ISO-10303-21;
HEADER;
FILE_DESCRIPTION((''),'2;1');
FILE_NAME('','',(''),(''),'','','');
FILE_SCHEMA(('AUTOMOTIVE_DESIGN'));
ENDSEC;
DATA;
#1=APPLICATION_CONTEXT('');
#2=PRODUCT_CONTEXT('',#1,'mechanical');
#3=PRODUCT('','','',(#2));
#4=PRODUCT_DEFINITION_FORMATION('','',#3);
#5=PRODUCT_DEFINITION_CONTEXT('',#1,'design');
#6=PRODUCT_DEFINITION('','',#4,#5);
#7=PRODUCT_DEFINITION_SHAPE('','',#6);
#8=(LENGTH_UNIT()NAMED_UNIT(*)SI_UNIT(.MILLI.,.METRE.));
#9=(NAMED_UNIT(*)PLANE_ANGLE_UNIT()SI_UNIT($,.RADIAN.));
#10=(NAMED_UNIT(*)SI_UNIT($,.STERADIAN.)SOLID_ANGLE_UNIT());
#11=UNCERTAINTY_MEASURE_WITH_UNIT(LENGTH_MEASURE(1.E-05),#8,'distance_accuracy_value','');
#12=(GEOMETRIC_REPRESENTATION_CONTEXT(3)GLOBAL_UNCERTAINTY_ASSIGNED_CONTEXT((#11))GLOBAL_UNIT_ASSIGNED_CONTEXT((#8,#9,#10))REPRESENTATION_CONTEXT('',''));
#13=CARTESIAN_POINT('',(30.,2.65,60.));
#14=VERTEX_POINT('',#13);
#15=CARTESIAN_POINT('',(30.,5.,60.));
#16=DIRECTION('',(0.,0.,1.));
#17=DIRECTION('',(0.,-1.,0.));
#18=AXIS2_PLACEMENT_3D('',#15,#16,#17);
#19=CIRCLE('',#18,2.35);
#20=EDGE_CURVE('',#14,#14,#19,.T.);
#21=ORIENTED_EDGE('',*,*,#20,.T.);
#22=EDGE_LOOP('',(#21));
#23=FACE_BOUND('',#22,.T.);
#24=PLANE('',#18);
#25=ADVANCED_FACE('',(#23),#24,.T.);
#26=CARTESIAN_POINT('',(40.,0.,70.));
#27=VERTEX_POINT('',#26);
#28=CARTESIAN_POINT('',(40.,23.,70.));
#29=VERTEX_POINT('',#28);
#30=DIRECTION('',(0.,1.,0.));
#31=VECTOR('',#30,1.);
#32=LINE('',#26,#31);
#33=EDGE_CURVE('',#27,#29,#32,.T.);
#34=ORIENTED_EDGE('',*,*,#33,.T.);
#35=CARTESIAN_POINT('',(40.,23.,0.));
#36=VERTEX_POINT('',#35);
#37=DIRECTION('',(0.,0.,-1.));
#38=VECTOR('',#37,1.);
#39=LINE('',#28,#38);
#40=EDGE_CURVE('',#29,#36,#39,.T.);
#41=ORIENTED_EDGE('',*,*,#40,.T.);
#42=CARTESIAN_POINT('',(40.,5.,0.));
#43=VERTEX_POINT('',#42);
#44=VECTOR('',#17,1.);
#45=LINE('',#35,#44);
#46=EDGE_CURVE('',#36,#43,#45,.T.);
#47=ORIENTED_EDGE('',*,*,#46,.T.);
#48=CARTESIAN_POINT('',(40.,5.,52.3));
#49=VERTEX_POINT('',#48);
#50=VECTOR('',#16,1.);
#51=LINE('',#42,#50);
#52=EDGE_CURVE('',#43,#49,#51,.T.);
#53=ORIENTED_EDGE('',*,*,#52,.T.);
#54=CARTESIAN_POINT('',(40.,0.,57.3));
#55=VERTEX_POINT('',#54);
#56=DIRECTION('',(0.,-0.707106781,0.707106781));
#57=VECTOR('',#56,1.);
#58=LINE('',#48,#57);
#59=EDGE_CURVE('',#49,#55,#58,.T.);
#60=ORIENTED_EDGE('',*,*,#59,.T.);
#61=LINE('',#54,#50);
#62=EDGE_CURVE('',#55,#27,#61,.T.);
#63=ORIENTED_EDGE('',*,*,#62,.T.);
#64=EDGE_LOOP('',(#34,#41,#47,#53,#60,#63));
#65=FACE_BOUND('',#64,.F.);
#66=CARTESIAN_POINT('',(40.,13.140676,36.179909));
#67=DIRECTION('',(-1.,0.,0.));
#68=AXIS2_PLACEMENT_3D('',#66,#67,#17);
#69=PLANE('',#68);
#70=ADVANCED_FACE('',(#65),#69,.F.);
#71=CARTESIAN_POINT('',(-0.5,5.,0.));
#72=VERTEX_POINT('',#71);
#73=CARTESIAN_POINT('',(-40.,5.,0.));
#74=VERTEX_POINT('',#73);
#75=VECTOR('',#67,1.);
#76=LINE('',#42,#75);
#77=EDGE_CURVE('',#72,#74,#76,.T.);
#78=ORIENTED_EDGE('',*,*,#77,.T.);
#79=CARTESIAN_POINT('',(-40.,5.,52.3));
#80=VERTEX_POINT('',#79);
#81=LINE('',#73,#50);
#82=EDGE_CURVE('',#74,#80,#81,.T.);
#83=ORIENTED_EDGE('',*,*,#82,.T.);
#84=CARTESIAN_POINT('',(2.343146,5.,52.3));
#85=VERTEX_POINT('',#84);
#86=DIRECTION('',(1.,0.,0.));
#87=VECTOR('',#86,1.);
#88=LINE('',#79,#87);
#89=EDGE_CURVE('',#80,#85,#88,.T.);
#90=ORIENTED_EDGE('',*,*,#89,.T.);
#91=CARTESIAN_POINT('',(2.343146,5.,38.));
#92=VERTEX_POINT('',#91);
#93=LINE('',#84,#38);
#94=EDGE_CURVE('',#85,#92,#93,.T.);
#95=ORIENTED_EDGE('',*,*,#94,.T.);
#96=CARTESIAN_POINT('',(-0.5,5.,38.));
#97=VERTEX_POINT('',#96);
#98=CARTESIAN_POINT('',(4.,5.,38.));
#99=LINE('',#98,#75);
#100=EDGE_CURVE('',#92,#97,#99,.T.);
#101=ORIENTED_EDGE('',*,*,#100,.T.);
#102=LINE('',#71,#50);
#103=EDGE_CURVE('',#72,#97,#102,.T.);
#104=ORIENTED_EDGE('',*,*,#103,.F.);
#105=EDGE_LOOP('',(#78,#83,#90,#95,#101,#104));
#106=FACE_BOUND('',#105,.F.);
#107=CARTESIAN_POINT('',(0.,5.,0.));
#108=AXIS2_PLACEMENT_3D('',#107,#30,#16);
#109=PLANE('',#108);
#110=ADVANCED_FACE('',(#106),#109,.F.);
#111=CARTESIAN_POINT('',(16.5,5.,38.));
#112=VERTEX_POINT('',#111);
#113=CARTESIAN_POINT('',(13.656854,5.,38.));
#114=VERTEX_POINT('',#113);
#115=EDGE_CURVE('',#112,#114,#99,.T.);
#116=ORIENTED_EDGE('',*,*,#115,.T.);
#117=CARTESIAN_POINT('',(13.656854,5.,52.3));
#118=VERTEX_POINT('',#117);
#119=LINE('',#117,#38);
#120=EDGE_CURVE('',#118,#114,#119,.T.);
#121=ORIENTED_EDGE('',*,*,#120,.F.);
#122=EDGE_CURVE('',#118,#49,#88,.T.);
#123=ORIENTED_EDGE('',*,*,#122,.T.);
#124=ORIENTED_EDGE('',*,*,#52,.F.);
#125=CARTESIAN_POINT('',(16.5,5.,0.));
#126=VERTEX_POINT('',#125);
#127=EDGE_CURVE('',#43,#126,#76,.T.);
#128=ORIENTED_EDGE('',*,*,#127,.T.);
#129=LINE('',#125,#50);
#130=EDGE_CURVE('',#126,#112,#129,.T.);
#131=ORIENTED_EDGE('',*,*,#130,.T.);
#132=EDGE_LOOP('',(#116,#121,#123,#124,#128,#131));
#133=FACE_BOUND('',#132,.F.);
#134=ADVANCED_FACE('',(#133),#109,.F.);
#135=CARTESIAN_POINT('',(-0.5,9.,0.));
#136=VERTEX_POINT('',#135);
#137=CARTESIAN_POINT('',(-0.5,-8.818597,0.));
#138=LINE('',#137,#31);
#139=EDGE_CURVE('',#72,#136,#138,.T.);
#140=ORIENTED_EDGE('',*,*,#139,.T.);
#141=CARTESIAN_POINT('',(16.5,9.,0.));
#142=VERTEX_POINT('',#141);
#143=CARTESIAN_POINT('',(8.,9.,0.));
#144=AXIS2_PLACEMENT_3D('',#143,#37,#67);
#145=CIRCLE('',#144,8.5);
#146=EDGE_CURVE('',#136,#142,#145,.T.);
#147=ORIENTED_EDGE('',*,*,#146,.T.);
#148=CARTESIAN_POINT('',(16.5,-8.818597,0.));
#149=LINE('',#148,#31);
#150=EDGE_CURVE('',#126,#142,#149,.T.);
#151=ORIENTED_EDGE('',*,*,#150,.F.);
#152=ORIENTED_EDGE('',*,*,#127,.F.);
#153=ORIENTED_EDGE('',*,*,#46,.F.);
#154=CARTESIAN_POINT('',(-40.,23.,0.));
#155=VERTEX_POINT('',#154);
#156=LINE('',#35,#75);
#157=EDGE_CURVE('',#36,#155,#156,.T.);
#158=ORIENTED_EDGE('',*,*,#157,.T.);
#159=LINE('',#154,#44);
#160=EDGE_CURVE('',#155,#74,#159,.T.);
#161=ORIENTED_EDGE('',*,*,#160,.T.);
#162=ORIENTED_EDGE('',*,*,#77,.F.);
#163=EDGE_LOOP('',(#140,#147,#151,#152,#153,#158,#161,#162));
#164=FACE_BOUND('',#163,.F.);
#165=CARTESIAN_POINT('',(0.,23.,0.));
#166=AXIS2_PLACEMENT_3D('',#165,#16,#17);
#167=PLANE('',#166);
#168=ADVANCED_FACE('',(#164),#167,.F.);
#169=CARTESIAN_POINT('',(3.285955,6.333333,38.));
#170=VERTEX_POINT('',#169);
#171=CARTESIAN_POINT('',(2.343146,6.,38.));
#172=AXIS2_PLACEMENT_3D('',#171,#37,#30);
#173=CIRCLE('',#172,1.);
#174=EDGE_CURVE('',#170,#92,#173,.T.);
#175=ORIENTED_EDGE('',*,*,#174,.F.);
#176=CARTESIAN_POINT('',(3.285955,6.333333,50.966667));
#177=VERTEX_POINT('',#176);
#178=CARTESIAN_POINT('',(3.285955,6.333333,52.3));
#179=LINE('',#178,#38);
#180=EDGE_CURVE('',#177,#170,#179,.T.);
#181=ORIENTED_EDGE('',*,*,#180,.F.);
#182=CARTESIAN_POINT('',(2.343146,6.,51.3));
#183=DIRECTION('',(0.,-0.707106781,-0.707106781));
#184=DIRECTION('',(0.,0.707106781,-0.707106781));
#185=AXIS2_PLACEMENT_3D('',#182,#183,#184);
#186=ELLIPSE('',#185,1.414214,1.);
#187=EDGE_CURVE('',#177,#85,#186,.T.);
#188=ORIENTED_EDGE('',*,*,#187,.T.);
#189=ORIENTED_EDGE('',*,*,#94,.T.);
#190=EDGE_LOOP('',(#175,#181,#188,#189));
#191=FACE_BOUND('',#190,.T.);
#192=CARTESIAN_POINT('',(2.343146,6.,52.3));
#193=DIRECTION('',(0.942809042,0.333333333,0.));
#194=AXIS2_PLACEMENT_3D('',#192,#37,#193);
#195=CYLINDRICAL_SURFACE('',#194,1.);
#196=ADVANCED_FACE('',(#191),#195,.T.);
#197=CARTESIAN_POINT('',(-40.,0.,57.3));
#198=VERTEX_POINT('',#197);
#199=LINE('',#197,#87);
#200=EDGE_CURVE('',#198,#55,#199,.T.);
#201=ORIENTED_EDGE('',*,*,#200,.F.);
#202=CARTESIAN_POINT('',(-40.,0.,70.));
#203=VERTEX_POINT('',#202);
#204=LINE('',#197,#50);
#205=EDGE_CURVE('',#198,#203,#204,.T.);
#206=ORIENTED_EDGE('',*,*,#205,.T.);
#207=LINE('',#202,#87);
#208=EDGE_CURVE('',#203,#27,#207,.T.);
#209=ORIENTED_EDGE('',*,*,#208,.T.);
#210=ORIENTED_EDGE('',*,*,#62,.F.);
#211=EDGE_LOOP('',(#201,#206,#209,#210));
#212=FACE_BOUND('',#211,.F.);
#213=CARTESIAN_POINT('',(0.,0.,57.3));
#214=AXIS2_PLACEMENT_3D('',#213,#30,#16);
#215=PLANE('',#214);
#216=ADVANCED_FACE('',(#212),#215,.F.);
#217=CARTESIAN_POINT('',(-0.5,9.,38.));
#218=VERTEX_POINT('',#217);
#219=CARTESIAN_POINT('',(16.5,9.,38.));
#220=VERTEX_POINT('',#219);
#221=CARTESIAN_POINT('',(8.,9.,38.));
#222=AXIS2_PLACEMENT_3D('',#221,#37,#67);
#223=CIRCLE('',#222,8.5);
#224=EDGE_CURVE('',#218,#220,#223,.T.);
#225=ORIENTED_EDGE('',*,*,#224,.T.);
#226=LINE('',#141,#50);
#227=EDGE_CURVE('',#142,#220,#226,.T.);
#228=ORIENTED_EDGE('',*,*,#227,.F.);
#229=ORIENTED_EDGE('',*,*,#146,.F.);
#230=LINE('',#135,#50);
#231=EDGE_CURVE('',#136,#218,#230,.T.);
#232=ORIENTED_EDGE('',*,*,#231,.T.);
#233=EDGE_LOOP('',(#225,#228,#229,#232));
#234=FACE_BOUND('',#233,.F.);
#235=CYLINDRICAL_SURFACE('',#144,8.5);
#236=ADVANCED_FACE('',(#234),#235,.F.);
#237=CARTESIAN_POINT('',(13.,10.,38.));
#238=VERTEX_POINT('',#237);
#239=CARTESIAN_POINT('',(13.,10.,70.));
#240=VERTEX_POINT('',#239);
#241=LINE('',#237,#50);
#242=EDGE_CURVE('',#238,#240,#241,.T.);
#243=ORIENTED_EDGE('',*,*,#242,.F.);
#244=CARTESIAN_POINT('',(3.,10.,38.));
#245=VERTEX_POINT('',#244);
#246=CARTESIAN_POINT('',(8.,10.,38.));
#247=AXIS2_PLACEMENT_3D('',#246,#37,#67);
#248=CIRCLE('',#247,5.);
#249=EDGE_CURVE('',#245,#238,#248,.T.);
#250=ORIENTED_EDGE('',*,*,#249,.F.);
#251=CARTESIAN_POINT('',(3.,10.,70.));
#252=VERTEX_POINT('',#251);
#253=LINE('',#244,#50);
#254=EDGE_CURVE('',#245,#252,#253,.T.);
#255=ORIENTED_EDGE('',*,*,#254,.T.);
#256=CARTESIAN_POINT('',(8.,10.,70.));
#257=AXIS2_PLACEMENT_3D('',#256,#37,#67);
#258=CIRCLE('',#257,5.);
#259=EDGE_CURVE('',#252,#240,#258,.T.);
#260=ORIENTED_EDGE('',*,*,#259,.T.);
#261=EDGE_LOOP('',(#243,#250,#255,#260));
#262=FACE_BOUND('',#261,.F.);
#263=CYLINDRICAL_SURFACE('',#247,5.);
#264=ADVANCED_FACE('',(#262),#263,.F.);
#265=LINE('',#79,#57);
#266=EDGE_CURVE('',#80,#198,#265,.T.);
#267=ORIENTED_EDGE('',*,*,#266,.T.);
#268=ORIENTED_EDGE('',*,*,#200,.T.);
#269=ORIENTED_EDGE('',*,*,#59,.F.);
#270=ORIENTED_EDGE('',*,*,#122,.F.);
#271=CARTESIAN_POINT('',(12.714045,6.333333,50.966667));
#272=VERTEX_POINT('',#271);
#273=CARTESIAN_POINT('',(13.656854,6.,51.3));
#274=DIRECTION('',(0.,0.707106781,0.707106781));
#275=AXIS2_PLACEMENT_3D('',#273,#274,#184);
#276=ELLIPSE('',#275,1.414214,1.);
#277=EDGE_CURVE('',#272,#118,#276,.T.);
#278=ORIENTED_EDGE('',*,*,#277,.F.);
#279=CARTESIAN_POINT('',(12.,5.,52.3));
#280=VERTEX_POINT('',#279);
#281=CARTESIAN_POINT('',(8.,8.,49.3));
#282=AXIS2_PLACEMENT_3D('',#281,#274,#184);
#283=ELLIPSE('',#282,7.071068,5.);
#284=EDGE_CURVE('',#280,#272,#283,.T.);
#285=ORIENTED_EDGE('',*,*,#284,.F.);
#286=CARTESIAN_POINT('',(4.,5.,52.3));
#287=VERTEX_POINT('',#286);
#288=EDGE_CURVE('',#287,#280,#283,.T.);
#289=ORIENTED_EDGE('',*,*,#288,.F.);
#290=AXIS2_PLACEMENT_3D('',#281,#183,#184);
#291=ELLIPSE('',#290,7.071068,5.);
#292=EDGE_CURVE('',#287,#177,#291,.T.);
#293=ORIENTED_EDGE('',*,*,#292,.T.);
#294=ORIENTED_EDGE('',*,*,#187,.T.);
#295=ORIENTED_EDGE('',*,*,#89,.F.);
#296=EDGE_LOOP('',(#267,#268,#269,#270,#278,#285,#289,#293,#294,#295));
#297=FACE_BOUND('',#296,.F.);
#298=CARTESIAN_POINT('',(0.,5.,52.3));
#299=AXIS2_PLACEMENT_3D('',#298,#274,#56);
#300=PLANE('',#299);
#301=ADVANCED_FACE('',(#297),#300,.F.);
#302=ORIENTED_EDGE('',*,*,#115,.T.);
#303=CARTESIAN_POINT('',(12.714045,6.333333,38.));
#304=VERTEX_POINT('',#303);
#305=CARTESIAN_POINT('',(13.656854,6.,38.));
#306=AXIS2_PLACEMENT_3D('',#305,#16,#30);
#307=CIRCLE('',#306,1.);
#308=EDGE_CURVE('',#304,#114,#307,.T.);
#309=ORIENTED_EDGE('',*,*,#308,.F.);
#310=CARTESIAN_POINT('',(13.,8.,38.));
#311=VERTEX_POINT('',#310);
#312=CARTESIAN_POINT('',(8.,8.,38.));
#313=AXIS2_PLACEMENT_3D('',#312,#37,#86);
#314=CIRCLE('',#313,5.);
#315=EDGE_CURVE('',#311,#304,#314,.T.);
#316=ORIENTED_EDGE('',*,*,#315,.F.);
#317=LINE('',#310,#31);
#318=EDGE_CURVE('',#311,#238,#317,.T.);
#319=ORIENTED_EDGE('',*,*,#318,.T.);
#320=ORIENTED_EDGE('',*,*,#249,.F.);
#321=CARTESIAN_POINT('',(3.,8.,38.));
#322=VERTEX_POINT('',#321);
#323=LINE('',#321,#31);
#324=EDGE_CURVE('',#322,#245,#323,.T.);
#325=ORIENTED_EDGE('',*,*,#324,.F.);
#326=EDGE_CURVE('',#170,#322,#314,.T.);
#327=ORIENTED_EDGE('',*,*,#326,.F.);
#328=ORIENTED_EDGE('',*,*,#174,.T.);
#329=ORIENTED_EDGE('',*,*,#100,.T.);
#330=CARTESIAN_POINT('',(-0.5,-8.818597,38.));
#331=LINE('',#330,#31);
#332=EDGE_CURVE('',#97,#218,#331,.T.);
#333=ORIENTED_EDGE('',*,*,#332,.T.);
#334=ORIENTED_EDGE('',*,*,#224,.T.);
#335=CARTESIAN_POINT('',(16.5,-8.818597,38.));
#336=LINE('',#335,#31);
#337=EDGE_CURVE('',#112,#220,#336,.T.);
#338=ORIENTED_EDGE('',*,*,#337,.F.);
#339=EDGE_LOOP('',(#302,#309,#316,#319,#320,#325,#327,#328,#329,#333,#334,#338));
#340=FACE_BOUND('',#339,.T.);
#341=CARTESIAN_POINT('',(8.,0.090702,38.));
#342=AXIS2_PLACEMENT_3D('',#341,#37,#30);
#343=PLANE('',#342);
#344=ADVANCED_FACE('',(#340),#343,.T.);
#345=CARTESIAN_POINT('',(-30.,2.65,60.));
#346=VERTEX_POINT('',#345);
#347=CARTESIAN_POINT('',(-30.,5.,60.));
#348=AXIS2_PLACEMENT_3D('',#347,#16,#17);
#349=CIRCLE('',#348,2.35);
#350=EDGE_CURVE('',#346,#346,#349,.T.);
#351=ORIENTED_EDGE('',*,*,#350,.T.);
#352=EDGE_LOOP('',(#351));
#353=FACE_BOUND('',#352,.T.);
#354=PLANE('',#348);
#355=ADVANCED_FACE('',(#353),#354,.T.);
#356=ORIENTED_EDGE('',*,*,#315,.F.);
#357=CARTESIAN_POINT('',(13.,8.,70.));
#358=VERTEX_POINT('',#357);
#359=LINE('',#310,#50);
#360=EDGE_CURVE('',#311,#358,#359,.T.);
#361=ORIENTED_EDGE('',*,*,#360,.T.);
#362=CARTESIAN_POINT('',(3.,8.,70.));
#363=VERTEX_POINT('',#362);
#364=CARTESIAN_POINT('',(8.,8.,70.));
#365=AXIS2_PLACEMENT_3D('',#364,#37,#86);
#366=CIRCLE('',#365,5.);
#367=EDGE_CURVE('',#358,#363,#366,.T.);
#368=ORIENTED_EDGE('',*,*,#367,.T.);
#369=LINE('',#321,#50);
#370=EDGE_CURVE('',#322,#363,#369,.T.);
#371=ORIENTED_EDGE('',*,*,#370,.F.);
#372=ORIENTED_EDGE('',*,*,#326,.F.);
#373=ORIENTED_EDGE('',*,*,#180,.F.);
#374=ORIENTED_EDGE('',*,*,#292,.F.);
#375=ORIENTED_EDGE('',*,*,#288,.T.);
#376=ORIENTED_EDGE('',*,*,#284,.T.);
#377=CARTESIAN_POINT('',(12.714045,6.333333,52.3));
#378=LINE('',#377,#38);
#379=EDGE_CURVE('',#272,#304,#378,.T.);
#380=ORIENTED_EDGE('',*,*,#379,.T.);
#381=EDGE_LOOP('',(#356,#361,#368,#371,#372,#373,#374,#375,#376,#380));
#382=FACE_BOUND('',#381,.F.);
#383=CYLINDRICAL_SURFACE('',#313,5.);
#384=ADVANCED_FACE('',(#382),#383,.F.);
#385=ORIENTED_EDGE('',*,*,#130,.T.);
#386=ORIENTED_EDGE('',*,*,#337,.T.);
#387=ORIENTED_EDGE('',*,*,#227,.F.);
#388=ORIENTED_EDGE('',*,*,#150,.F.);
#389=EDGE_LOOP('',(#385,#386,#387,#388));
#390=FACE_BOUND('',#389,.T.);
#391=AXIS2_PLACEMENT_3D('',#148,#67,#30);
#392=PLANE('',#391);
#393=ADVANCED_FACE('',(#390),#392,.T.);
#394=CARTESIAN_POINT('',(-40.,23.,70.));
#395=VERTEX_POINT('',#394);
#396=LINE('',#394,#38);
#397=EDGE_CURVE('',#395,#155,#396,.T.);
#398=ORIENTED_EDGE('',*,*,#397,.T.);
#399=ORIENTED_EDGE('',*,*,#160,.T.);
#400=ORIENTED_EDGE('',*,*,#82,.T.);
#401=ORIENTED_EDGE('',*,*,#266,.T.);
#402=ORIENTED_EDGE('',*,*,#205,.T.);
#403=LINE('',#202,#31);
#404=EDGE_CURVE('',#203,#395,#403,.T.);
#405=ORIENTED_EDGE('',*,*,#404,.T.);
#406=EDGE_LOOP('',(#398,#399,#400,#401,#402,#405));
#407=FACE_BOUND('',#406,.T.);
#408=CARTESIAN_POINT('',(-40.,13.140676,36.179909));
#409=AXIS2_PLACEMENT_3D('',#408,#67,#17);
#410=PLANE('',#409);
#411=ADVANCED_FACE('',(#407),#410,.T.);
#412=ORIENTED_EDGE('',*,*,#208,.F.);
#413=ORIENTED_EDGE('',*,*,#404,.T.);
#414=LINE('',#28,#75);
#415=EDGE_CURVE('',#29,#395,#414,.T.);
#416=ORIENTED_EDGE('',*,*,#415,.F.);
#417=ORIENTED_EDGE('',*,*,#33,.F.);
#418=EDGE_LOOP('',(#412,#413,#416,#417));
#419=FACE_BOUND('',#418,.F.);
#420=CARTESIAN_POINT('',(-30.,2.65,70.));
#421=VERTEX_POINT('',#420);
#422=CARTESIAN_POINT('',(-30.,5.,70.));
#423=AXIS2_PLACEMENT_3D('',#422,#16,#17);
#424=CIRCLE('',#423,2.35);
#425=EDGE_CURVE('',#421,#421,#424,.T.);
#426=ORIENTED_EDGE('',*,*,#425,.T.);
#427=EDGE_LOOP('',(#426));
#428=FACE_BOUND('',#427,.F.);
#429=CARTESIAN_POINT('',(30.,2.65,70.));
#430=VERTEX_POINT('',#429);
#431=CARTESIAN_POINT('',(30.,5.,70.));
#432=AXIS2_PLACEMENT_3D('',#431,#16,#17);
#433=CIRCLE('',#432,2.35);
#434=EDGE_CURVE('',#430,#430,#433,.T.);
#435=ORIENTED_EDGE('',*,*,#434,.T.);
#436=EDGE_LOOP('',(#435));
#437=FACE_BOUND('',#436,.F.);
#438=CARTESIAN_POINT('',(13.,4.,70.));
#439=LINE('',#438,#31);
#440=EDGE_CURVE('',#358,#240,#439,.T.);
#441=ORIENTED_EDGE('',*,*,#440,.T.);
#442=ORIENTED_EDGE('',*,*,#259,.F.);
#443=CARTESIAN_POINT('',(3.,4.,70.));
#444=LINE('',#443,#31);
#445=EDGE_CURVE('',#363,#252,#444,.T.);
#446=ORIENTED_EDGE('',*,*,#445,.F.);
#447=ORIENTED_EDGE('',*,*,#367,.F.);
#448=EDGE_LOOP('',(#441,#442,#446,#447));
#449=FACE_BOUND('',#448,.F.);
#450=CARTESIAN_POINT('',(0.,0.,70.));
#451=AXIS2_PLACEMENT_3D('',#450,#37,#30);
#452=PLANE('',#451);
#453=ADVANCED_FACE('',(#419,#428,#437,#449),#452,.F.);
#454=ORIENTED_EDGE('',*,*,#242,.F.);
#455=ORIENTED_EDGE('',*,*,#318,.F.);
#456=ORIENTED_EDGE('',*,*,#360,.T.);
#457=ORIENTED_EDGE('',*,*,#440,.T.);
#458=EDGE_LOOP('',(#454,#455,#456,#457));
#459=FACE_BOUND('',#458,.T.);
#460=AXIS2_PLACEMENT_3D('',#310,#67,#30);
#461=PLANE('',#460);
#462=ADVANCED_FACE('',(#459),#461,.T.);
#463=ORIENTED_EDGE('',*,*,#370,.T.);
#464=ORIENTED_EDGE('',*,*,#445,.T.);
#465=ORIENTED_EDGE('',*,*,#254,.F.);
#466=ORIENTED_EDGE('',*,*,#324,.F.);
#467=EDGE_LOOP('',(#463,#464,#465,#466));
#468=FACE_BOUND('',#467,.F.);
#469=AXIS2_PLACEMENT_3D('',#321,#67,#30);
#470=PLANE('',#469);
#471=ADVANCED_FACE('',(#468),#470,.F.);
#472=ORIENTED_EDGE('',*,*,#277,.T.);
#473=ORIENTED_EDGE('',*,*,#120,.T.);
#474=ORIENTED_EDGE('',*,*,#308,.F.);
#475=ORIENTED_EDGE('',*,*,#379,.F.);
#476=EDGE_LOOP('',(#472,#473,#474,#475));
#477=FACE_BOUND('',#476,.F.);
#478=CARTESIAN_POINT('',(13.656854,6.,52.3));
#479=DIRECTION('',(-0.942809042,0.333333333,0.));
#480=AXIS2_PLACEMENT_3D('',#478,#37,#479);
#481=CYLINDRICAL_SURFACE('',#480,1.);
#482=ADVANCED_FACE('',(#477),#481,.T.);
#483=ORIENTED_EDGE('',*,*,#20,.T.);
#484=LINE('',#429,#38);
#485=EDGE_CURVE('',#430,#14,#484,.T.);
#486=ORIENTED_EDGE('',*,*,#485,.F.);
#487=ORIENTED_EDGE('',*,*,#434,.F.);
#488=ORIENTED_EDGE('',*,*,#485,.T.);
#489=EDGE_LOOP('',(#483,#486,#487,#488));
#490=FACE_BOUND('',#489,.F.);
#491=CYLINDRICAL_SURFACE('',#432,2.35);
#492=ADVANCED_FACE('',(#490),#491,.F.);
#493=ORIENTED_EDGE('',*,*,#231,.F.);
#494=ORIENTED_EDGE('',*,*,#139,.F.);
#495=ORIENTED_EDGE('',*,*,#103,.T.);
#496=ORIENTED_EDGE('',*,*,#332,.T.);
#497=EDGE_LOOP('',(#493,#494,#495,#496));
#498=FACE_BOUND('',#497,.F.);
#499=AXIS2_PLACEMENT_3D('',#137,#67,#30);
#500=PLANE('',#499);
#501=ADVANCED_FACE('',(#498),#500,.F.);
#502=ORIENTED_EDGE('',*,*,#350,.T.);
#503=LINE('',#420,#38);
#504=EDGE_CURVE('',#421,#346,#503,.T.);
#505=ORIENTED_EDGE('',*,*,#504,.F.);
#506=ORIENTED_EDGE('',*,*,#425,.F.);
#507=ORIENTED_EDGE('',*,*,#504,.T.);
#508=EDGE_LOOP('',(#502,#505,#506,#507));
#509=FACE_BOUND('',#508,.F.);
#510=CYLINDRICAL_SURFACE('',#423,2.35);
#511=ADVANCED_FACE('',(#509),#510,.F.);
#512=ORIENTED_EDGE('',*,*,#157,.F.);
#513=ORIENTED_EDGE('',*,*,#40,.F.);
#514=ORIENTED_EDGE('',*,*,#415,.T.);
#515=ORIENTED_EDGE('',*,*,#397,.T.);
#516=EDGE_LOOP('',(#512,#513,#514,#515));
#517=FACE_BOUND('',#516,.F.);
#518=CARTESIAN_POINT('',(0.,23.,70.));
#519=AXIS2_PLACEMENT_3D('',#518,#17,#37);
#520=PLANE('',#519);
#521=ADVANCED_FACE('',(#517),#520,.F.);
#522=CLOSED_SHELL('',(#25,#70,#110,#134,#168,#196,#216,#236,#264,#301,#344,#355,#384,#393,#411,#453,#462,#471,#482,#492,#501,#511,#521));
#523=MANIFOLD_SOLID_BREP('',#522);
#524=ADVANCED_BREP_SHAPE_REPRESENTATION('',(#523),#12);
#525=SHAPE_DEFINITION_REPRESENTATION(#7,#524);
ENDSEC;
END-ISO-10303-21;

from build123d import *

# Parameters (mm, degrees)
PAD008_DEPTH    = 40
POCKET019_DEPTH = 38
SKETCH042_R     = 2.35
POCKET020_DEPTH = 10
SKETCH044_R     = 1.4
POCKET023_DEPTH = 11
POCKET024_DEPTH = 52
FILLET001_R     = 1


with BuildPart() as part:
    # Sketch039 → Pad008 (new body, symmetric)
    with BuildSketch(Plane.YZ):
        Polygon((0, 70), (23, 70), (23, 0), (5, 0), (5, 52.3), (0, 57.3), align=None)
    extrude(amount=PAD008_DEPTH, both=True)

    # Sketch035 (on Face3 of Pad008) → Pocket019 (cut)
    with BuildSketch(Plane.YX):
        with BuildLine():
            ThreePointArc((-8.818597, 16.5), (-17.318597, 8), (-8.818597, -0.5))
            Line((-8.818597, -0.5), (9, -0.5))
            ThreePointArc((9, -0.5), (17.5, 8), (9, 16.5))
            Line((-8.818597, 16.5), (9, 16.5))
        make_face()
    extrude(amount=-POCKET019_DEPTH, mode=Mode.SUBTRACT)

    # Sketch042 (on Face1 of Pocket019) → Pocket020 (cut)
    with BuildSketch(Plane(origin=(0, 0, 70), x_dir=(0, -1, 0), z_dir=(0, 0, 1))):
        with Locations((-5, 30)):
            Circle(SKETCH042_R)
        with Locations((-5, -30)):
            Circle(SKETCH042_R)
    extrude(amount=-POCKET020_DEPTH, mode=Mode.SUBTRACT)

    # Sketch044 (on Face10 of Pocket020) → Pocket023 (cut)
    with BuildSketch(Plane(origin=(0, 5, 0), x_dir=(0, 0, -1), z_dir=(0, -1, 0))):
        with Locations((13, 30)):
            Circle(SKETCH044_R)
        with Locations((13, -30)):
            Circle(SKETCH044_R)
    extrude(amount=-POCKET023_DEPTH, mode=Mode.SUBTRACT)

    # Sketch048 (on Face12 of Pocket019) → Pocket024 (cut)
    with BuildSketch(Plane.YX.offset(-38)):
        with BuildLine():
            ThreePointArc((8, 13), (3, 8), (8, 3))
            Line((8, 3), (10, 3))
            ThreePointArc((10, 3), (15, 8), (10, 13))
            Line((8, 13), (10, 13))
        make_face()
    extrude(amount=-POCKET024_DEPTH, mode=Mode.SUBTRACT)

    # Fillet001
    fillet001_edges = [part.edges().sort_by_distance(p)[0] for p in [
        (12, 5, 45.15),
        (4, 5, 45.15),
    ]]
    fillet(fillet001_edges, radius=FILLET001_R)


solid = part.part
